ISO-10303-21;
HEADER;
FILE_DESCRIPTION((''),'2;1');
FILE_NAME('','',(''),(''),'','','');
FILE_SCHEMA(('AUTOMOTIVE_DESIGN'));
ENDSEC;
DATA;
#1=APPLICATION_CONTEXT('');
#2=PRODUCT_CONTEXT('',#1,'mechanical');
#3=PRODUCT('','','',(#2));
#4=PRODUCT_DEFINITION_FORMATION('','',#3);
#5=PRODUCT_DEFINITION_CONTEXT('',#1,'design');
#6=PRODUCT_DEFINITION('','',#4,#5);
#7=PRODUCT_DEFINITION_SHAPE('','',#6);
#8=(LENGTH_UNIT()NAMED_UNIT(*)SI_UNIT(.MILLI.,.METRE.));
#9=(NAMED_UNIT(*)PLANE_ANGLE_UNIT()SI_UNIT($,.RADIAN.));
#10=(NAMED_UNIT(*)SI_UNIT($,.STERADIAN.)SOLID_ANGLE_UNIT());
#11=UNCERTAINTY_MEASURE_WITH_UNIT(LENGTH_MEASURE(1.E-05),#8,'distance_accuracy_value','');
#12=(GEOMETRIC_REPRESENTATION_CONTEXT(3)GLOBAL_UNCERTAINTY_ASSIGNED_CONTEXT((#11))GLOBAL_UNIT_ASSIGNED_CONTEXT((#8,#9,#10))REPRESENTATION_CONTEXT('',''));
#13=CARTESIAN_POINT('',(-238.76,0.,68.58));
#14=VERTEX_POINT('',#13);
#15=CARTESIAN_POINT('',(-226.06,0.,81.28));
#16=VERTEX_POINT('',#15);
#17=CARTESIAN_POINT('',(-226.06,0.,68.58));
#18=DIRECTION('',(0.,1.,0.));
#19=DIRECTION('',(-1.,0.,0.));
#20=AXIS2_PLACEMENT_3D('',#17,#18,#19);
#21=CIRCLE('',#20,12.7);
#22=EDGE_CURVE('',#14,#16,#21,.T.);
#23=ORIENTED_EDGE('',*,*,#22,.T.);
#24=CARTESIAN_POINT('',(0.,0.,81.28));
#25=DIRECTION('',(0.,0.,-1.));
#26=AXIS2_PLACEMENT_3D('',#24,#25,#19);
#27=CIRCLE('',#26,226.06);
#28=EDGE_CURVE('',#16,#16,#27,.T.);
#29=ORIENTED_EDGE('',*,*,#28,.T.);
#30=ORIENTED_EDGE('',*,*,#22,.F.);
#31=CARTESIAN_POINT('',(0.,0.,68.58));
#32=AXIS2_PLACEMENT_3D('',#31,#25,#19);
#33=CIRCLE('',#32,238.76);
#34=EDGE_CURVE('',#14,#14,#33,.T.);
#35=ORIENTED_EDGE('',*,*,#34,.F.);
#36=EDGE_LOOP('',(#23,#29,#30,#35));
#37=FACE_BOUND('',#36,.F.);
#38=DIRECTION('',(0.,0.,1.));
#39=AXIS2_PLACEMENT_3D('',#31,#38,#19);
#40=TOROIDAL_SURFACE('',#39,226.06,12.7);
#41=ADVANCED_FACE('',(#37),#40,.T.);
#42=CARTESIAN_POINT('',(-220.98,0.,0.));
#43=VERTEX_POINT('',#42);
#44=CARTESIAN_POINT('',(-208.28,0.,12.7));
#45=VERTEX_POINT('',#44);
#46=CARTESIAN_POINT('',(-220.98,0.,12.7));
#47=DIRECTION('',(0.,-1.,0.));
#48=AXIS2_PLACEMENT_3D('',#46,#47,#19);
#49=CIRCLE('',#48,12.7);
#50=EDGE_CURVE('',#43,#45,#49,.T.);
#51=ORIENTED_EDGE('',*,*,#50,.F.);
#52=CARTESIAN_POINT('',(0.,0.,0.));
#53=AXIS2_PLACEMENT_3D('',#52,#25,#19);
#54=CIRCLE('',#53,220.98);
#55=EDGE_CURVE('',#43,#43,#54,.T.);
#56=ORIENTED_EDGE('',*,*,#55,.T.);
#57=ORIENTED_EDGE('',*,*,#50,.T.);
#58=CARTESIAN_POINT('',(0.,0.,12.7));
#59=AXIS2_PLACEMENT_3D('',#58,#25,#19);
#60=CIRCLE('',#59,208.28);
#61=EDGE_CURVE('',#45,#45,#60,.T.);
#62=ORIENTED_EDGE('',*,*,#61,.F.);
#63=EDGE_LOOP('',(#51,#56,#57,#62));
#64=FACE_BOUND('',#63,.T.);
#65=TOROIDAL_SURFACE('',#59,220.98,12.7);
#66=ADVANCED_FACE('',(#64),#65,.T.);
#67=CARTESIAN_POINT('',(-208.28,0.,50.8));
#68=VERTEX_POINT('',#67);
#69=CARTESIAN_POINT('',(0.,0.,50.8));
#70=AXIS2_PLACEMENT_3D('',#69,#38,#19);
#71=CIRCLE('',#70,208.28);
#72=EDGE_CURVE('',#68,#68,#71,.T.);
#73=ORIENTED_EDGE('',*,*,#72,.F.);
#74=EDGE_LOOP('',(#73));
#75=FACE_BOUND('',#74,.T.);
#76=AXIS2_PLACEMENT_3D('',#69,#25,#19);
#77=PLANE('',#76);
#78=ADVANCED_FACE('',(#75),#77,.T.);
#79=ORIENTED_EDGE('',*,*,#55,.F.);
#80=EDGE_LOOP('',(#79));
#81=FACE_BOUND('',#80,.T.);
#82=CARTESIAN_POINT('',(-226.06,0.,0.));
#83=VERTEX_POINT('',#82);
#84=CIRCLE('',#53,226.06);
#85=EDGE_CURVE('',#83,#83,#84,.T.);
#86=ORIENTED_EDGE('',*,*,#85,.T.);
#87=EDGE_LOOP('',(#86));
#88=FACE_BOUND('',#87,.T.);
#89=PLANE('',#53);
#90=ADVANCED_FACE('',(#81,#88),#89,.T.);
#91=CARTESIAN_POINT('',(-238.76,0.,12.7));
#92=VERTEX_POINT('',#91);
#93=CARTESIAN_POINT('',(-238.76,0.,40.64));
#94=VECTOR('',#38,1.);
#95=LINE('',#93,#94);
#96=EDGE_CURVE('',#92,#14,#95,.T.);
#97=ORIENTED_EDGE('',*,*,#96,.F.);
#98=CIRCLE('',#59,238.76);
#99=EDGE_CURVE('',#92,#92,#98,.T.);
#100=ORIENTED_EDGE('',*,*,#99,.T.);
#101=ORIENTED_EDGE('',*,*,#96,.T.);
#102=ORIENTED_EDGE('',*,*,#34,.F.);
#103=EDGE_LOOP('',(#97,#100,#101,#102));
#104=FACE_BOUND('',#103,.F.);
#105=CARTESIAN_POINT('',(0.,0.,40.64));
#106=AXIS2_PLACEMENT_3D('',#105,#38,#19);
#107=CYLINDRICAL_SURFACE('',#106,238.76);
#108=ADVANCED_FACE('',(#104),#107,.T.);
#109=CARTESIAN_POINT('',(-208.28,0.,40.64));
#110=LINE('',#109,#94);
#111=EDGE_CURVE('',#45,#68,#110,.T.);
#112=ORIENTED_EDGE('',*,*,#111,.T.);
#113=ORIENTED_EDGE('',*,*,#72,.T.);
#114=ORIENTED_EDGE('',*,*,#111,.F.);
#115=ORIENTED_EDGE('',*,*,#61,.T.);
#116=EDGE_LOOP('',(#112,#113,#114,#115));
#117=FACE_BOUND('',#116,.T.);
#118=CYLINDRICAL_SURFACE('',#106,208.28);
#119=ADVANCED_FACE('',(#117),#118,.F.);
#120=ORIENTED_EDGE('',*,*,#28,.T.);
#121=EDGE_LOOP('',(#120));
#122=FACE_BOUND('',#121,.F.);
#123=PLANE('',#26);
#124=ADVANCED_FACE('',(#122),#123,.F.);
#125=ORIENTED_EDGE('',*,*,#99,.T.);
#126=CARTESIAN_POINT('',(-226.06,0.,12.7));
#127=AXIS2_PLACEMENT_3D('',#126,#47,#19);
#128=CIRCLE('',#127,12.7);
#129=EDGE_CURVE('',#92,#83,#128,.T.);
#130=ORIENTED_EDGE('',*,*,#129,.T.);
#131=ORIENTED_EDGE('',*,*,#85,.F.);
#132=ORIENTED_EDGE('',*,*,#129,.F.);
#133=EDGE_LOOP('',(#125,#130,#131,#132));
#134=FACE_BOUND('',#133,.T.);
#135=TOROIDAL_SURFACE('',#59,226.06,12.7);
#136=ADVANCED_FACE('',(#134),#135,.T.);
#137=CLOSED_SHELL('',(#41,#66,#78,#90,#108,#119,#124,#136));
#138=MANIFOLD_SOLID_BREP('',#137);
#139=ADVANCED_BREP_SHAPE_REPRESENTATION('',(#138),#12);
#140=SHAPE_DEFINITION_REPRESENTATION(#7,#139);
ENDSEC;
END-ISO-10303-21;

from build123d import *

# Parameters (mm, degrees)
F0_W = 238.76
F0_H = 81.28
F2_T = -30.48
F3_R = 12.7


with BuildPart() as f1:
    # F0 (on Front) → F1 (revolve)
    with BuildSketch(Plane.XZ):
        with Locations((-119.38, 40.64)):
            Rectangle(F0_W, F0_H)
    revolve(axis=Axis((0, 0, 40.64), (0, 0, -1)))

    # F2
    f2_openings = [f1.faces().sort_by_distance(p)[0] for p in [
        (0, 0, 0),
    ]]
    offset(amount=F2_T, openings=f2_openings)

    # F3
    f3_edges = [f1.edges().sort_by_distance(p)[0] for p in [
        (238.76, 0, 81.28),
        (238.76, 0, 0),
        (208.28, 0, 0),
    ]]
    fillet(f3_edges, radius=F3_R)


solid = f1.part
